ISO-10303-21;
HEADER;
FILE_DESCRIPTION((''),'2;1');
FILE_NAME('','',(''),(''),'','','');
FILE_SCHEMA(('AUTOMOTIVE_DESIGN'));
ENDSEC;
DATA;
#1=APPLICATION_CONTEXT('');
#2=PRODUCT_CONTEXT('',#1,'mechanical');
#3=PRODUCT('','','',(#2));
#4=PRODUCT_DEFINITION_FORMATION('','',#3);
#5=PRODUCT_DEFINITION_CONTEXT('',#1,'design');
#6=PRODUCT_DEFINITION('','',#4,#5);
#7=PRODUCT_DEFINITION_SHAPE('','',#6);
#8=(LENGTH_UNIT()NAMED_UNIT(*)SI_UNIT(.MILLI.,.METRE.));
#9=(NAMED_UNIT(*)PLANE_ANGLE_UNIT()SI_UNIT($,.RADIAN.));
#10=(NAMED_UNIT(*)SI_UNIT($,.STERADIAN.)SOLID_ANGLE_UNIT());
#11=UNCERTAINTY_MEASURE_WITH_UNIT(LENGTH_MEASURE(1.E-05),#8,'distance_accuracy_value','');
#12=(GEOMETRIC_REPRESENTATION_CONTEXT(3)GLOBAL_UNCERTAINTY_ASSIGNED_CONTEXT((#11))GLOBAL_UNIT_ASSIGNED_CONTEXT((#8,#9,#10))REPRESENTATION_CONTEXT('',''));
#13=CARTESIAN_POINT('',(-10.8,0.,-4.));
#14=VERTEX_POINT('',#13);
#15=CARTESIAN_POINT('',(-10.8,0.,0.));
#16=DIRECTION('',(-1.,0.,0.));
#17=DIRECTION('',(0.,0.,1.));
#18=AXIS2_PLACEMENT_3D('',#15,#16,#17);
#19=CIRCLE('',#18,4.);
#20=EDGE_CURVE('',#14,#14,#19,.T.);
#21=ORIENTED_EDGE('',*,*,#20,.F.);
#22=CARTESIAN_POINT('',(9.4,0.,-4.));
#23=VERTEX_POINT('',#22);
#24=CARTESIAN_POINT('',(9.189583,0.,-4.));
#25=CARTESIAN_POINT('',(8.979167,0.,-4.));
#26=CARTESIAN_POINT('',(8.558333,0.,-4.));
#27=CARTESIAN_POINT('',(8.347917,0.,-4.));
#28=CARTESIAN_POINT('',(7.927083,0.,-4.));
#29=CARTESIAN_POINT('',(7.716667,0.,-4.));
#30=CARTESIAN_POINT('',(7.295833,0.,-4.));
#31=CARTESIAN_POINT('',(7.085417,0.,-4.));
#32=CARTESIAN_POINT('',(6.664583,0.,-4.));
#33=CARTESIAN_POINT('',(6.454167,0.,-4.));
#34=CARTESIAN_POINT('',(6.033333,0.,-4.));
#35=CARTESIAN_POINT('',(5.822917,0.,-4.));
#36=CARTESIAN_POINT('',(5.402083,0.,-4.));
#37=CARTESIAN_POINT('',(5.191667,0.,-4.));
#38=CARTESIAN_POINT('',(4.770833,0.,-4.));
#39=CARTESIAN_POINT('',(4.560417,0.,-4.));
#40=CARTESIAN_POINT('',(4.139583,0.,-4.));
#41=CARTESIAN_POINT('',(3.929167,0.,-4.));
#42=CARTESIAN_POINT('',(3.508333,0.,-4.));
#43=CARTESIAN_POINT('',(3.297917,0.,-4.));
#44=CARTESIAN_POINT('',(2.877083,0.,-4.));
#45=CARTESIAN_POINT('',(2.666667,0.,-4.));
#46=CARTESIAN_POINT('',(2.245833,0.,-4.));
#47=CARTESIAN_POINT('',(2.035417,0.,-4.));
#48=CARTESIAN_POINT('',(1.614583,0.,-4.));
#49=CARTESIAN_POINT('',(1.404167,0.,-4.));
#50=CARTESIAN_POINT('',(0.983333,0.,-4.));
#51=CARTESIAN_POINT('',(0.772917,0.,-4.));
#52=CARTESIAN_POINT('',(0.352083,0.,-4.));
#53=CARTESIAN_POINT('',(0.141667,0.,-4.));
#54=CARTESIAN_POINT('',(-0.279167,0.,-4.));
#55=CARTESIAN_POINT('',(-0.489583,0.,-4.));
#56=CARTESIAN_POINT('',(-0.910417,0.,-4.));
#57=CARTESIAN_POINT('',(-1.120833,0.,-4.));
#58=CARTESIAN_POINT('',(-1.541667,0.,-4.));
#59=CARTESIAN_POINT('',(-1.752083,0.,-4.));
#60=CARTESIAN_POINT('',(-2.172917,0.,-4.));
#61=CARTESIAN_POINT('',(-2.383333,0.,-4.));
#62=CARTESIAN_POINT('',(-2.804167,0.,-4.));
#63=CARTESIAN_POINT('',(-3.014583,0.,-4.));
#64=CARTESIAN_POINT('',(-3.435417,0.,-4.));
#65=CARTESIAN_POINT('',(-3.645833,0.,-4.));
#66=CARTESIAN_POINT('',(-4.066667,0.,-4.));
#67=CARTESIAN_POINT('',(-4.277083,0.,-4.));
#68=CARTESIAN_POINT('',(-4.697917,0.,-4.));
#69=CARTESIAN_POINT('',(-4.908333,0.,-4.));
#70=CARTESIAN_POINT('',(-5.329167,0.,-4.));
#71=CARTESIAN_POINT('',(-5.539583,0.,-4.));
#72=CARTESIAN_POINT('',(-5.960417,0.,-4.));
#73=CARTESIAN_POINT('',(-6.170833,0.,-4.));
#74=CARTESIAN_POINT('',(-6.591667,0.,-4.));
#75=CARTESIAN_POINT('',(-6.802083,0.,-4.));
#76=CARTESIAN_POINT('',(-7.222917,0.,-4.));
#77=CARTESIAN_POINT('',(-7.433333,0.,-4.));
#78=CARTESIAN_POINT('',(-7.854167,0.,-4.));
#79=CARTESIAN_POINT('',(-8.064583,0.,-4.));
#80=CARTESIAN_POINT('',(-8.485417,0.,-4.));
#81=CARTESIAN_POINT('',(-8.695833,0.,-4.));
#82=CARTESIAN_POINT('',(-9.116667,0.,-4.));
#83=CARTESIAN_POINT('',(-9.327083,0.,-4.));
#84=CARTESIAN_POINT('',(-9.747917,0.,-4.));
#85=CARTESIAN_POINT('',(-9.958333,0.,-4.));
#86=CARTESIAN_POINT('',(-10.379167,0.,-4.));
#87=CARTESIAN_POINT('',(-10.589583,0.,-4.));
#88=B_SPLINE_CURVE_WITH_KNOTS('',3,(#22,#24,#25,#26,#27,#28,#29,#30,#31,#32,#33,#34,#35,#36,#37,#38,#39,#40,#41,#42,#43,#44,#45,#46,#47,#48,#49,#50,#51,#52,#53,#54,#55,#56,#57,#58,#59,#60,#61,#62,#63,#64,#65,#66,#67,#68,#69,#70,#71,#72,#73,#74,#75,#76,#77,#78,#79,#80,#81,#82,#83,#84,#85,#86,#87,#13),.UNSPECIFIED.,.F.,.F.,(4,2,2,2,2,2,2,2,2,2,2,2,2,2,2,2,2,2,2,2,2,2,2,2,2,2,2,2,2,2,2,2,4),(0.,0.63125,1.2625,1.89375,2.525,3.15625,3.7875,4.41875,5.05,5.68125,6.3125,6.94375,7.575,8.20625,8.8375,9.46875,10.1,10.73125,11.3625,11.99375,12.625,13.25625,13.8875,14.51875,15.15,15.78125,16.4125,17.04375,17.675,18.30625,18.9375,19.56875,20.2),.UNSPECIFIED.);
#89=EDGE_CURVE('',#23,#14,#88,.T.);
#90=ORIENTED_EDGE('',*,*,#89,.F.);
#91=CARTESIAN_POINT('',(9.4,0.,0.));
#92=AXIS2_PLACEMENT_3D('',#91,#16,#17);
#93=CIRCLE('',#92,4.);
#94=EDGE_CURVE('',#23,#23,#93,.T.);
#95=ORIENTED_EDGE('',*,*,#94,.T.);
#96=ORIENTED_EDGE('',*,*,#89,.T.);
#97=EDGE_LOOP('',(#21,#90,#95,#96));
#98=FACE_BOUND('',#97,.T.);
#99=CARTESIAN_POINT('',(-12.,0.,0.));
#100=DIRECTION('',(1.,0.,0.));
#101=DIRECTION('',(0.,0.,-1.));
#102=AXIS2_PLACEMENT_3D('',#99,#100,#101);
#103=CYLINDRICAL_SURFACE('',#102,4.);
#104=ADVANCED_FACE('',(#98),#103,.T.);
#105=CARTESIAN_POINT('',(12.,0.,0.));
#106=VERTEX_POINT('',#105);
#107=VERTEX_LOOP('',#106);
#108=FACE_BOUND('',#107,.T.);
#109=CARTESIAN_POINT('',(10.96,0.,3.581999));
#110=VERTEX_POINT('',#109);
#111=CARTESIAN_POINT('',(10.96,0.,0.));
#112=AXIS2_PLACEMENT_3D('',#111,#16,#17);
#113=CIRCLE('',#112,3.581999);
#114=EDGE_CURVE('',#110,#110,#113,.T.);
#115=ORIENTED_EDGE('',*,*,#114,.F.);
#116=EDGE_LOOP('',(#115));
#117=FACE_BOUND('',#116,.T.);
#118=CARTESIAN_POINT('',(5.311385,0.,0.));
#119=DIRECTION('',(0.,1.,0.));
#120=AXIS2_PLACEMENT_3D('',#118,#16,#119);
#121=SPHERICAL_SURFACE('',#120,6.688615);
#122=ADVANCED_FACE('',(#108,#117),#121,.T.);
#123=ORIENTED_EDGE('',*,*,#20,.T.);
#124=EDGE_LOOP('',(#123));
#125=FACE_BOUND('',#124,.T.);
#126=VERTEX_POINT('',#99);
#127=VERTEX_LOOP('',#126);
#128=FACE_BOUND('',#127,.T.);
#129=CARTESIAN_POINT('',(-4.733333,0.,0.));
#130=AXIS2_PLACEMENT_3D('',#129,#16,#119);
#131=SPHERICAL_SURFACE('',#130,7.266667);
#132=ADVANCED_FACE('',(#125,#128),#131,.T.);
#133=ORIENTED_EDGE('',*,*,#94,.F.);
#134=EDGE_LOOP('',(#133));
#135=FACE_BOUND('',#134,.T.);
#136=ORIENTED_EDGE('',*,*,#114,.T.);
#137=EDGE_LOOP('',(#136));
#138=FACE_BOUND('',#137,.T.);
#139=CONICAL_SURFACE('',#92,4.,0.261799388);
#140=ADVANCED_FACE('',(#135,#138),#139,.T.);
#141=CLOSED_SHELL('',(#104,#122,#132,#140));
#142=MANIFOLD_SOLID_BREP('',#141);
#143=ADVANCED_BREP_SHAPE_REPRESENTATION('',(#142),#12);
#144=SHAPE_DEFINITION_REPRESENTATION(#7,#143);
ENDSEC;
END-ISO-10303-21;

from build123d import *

# Parameters (mm, degrees)
EXTRUDE1_DEPTH      = 12
EXTRUDE1_DEPTH_BACK = 12
SKETCH2_R           = 4


with BuildPart() as part:
    # Sketch2 → Extrude1 (new, two sides: drawn at the far end of the back side and taken through both)
    with BuildSketch(Plane(origin=(0, 0, 0), x_dir=(0, 0, -1), z_dir=(1, 0, 0)).offset(-EXTRUDE1_DEPTH_BACK)):
        Circle(SKETCH2_R)
    extrude(amount=EXTRUDE1_DEPTH + EXTRUDE1_DEPTH_BACK)

    # Sketch5 → Cut-Revolve1 (revolve, cut)
    with BuildSketch(Plane.XY):
        with BuildLine():
            Line((9.4, 4), (9.4, 4.5))
            Line((9.4, 4.5), (12.5, 4.5))
            Line((12.5, 4.5), (12.5, 0))
            Line((12.5, 0), (12, 0))
            ThreePointArc((12, 0), (11.734740106, 1.864961038), (10.96, 3.58199926))
            Line((10.96, 3.58199926), (9.4, 4))
        make_face()
        with BuildLine():
            Line((-10.8, 4), (-10.8, 4.5))
            Line((-10.8, 4.5), (-12.5, 4.5))
            Line((-12.5, 4.5), (-12.5, 0))
            Line((-12.5, 0), (-12, 0))
            ThreePointArc((-12, 0), (-11.693537673, 2.088061302), (-10.8, 4))
        make_face()
    revolve(axis=Axis((-12, 0, 0), (1, 0, 0)), mode=Mode.SUBTRACT)


solid = part.part
